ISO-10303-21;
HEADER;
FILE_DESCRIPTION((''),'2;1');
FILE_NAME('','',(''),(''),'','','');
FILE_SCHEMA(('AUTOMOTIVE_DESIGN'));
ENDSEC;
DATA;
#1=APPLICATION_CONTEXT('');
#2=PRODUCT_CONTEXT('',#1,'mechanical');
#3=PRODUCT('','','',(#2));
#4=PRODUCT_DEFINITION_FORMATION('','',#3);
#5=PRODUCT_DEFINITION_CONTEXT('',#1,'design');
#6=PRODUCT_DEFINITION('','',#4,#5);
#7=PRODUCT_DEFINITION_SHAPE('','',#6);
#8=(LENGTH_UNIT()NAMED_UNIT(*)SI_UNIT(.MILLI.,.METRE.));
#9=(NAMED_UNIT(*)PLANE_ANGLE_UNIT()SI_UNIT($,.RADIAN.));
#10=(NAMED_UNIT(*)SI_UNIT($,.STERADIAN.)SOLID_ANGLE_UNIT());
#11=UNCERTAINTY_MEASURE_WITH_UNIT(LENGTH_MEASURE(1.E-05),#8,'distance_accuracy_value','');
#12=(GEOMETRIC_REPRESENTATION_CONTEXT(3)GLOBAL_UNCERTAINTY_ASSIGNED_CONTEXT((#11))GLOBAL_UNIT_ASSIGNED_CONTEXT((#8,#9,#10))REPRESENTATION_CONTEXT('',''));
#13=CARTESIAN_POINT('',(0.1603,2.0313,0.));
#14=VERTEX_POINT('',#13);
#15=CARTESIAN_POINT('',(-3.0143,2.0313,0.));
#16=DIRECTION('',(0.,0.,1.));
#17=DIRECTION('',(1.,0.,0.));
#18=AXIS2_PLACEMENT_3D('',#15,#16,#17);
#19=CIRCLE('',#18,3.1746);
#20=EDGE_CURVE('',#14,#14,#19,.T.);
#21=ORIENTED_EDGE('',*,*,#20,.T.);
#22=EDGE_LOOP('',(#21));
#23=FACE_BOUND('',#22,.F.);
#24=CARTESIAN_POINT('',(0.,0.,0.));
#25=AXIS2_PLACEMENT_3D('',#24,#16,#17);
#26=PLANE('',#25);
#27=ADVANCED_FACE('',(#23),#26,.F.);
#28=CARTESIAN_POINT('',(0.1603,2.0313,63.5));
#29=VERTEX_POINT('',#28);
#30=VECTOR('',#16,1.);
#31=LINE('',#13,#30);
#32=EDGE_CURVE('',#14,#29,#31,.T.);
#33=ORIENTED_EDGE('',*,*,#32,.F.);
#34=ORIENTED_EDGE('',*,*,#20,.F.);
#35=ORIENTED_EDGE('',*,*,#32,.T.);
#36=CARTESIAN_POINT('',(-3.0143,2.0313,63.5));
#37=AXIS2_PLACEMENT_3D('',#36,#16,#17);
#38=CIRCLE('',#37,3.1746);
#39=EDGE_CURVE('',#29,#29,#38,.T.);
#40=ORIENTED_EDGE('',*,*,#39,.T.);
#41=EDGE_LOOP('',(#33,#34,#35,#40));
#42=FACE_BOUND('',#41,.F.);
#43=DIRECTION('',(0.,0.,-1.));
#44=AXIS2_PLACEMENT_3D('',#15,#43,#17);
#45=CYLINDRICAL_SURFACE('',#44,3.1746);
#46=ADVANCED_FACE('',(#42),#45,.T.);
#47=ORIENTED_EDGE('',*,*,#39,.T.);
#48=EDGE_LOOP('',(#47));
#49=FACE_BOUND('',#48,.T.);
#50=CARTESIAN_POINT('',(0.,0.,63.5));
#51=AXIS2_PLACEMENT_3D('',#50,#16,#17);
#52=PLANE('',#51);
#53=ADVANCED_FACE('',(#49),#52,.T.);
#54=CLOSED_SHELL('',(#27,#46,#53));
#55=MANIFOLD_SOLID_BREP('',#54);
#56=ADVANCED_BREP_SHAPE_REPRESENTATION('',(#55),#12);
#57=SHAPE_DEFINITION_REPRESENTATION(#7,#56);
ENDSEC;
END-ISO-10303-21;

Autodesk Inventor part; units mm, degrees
ref_plane "YZ Plane" through (0, 0, 0) normal (1, 0, 0) x (0, 1, 0)
ref_plane "XZ Plane" through (0, 0, 0) normal (0, 1, 0) x (-1, 0, 0)
ref_plane "XY Plane" through (0, 0, 0) normal (0, 0, 1) x (1, 0, 0)
sketch "Sketch1" plane through (0, 0, 0) normal (0, 0, 1) x (1, 0, 0)
  circle A0 centre (-3.0143, 2.0313) radius 3.1746
  point P0 (0, 0)
  dimension "d0" = 63.5
extrude "Extrusion1" add sketch "Sketch1" along normal blind 63.5
properties part number "Pipe2"
